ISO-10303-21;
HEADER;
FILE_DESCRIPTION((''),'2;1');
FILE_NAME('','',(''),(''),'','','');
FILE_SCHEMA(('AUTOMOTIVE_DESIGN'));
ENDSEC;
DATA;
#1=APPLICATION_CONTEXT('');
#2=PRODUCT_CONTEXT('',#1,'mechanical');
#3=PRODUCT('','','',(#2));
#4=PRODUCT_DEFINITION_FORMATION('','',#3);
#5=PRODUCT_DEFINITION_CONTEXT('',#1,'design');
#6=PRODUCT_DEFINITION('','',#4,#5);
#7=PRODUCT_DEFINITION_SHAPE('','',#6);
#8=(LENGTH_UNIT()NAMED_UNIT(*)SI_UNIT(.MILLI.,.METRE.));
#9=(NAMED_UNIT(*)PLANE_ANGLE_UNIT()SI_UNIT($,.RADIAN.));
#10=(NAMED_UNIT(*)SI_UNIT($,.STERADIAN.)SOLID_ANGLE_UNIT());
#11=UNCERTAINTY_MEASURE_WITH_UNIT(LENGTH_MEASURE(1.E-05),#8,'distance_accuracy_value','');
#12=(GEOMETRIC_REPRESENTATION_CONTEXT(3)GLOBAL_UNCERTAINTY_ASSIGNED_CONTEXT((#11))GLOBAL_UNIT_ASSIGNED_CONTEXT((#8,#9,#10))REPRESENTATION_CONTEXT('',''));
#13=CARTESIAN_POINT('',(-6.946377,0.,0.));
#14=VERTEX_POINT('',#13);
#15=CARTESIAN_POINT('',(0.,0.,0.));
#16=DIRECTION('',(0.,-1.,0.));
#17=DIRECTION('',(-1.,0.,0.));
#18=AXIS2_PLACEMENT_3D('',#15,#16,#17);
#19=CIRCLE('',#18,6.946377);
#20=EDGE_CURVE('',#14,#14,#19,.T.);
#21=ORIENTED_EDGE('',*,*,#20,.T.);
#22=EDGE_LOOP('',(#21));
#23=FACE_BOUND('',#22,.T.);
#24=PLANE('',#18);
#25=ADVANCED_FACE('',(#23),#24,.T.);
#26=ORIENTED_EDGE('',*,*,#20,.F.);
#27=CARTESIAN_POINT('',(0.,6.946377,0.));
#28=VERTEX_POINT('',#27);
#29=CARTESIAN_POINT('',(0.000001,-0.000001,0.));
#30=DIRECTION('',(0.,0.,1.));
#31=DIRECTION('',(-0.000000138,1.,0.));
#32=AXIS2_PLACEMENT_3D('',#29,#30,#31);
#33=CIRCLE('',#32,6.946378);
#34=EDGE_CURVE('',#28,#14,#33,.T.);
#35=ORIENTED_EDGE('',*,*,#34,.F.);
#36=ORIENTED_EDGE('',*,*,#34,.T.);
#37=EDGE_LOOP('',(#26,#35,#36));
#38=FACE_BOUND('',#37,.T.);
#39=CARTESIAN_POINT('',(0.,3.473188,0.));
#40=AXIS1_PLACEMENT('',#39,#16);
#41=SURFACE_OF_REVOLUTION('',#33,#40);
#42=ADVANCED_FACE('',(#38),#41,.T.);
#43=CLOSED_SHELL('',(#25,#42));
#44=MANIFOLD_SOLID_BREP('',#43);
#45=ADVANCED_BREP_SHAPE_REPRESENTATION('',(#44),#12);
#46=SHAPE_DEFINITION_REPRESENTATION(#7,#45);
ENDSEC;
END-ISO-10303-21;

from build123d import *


with BuildPart() as f1:
    # F0 (on Top) → F1 (revolve)
    with BuildSketch(Plane.XY):
        with BuildLine():
            Line((0, 0), (0, 6.946377))
            ThreePointArc((0, 6.946377), (-4.91183, 4.91183), (-6.946377, 0))
            Line((-6.946377, 0), (0, 0))
        make_face()
    revolve(axis=Axis((0, 3.473188, 0), (0, -1, 0)))


solid = f1.part
